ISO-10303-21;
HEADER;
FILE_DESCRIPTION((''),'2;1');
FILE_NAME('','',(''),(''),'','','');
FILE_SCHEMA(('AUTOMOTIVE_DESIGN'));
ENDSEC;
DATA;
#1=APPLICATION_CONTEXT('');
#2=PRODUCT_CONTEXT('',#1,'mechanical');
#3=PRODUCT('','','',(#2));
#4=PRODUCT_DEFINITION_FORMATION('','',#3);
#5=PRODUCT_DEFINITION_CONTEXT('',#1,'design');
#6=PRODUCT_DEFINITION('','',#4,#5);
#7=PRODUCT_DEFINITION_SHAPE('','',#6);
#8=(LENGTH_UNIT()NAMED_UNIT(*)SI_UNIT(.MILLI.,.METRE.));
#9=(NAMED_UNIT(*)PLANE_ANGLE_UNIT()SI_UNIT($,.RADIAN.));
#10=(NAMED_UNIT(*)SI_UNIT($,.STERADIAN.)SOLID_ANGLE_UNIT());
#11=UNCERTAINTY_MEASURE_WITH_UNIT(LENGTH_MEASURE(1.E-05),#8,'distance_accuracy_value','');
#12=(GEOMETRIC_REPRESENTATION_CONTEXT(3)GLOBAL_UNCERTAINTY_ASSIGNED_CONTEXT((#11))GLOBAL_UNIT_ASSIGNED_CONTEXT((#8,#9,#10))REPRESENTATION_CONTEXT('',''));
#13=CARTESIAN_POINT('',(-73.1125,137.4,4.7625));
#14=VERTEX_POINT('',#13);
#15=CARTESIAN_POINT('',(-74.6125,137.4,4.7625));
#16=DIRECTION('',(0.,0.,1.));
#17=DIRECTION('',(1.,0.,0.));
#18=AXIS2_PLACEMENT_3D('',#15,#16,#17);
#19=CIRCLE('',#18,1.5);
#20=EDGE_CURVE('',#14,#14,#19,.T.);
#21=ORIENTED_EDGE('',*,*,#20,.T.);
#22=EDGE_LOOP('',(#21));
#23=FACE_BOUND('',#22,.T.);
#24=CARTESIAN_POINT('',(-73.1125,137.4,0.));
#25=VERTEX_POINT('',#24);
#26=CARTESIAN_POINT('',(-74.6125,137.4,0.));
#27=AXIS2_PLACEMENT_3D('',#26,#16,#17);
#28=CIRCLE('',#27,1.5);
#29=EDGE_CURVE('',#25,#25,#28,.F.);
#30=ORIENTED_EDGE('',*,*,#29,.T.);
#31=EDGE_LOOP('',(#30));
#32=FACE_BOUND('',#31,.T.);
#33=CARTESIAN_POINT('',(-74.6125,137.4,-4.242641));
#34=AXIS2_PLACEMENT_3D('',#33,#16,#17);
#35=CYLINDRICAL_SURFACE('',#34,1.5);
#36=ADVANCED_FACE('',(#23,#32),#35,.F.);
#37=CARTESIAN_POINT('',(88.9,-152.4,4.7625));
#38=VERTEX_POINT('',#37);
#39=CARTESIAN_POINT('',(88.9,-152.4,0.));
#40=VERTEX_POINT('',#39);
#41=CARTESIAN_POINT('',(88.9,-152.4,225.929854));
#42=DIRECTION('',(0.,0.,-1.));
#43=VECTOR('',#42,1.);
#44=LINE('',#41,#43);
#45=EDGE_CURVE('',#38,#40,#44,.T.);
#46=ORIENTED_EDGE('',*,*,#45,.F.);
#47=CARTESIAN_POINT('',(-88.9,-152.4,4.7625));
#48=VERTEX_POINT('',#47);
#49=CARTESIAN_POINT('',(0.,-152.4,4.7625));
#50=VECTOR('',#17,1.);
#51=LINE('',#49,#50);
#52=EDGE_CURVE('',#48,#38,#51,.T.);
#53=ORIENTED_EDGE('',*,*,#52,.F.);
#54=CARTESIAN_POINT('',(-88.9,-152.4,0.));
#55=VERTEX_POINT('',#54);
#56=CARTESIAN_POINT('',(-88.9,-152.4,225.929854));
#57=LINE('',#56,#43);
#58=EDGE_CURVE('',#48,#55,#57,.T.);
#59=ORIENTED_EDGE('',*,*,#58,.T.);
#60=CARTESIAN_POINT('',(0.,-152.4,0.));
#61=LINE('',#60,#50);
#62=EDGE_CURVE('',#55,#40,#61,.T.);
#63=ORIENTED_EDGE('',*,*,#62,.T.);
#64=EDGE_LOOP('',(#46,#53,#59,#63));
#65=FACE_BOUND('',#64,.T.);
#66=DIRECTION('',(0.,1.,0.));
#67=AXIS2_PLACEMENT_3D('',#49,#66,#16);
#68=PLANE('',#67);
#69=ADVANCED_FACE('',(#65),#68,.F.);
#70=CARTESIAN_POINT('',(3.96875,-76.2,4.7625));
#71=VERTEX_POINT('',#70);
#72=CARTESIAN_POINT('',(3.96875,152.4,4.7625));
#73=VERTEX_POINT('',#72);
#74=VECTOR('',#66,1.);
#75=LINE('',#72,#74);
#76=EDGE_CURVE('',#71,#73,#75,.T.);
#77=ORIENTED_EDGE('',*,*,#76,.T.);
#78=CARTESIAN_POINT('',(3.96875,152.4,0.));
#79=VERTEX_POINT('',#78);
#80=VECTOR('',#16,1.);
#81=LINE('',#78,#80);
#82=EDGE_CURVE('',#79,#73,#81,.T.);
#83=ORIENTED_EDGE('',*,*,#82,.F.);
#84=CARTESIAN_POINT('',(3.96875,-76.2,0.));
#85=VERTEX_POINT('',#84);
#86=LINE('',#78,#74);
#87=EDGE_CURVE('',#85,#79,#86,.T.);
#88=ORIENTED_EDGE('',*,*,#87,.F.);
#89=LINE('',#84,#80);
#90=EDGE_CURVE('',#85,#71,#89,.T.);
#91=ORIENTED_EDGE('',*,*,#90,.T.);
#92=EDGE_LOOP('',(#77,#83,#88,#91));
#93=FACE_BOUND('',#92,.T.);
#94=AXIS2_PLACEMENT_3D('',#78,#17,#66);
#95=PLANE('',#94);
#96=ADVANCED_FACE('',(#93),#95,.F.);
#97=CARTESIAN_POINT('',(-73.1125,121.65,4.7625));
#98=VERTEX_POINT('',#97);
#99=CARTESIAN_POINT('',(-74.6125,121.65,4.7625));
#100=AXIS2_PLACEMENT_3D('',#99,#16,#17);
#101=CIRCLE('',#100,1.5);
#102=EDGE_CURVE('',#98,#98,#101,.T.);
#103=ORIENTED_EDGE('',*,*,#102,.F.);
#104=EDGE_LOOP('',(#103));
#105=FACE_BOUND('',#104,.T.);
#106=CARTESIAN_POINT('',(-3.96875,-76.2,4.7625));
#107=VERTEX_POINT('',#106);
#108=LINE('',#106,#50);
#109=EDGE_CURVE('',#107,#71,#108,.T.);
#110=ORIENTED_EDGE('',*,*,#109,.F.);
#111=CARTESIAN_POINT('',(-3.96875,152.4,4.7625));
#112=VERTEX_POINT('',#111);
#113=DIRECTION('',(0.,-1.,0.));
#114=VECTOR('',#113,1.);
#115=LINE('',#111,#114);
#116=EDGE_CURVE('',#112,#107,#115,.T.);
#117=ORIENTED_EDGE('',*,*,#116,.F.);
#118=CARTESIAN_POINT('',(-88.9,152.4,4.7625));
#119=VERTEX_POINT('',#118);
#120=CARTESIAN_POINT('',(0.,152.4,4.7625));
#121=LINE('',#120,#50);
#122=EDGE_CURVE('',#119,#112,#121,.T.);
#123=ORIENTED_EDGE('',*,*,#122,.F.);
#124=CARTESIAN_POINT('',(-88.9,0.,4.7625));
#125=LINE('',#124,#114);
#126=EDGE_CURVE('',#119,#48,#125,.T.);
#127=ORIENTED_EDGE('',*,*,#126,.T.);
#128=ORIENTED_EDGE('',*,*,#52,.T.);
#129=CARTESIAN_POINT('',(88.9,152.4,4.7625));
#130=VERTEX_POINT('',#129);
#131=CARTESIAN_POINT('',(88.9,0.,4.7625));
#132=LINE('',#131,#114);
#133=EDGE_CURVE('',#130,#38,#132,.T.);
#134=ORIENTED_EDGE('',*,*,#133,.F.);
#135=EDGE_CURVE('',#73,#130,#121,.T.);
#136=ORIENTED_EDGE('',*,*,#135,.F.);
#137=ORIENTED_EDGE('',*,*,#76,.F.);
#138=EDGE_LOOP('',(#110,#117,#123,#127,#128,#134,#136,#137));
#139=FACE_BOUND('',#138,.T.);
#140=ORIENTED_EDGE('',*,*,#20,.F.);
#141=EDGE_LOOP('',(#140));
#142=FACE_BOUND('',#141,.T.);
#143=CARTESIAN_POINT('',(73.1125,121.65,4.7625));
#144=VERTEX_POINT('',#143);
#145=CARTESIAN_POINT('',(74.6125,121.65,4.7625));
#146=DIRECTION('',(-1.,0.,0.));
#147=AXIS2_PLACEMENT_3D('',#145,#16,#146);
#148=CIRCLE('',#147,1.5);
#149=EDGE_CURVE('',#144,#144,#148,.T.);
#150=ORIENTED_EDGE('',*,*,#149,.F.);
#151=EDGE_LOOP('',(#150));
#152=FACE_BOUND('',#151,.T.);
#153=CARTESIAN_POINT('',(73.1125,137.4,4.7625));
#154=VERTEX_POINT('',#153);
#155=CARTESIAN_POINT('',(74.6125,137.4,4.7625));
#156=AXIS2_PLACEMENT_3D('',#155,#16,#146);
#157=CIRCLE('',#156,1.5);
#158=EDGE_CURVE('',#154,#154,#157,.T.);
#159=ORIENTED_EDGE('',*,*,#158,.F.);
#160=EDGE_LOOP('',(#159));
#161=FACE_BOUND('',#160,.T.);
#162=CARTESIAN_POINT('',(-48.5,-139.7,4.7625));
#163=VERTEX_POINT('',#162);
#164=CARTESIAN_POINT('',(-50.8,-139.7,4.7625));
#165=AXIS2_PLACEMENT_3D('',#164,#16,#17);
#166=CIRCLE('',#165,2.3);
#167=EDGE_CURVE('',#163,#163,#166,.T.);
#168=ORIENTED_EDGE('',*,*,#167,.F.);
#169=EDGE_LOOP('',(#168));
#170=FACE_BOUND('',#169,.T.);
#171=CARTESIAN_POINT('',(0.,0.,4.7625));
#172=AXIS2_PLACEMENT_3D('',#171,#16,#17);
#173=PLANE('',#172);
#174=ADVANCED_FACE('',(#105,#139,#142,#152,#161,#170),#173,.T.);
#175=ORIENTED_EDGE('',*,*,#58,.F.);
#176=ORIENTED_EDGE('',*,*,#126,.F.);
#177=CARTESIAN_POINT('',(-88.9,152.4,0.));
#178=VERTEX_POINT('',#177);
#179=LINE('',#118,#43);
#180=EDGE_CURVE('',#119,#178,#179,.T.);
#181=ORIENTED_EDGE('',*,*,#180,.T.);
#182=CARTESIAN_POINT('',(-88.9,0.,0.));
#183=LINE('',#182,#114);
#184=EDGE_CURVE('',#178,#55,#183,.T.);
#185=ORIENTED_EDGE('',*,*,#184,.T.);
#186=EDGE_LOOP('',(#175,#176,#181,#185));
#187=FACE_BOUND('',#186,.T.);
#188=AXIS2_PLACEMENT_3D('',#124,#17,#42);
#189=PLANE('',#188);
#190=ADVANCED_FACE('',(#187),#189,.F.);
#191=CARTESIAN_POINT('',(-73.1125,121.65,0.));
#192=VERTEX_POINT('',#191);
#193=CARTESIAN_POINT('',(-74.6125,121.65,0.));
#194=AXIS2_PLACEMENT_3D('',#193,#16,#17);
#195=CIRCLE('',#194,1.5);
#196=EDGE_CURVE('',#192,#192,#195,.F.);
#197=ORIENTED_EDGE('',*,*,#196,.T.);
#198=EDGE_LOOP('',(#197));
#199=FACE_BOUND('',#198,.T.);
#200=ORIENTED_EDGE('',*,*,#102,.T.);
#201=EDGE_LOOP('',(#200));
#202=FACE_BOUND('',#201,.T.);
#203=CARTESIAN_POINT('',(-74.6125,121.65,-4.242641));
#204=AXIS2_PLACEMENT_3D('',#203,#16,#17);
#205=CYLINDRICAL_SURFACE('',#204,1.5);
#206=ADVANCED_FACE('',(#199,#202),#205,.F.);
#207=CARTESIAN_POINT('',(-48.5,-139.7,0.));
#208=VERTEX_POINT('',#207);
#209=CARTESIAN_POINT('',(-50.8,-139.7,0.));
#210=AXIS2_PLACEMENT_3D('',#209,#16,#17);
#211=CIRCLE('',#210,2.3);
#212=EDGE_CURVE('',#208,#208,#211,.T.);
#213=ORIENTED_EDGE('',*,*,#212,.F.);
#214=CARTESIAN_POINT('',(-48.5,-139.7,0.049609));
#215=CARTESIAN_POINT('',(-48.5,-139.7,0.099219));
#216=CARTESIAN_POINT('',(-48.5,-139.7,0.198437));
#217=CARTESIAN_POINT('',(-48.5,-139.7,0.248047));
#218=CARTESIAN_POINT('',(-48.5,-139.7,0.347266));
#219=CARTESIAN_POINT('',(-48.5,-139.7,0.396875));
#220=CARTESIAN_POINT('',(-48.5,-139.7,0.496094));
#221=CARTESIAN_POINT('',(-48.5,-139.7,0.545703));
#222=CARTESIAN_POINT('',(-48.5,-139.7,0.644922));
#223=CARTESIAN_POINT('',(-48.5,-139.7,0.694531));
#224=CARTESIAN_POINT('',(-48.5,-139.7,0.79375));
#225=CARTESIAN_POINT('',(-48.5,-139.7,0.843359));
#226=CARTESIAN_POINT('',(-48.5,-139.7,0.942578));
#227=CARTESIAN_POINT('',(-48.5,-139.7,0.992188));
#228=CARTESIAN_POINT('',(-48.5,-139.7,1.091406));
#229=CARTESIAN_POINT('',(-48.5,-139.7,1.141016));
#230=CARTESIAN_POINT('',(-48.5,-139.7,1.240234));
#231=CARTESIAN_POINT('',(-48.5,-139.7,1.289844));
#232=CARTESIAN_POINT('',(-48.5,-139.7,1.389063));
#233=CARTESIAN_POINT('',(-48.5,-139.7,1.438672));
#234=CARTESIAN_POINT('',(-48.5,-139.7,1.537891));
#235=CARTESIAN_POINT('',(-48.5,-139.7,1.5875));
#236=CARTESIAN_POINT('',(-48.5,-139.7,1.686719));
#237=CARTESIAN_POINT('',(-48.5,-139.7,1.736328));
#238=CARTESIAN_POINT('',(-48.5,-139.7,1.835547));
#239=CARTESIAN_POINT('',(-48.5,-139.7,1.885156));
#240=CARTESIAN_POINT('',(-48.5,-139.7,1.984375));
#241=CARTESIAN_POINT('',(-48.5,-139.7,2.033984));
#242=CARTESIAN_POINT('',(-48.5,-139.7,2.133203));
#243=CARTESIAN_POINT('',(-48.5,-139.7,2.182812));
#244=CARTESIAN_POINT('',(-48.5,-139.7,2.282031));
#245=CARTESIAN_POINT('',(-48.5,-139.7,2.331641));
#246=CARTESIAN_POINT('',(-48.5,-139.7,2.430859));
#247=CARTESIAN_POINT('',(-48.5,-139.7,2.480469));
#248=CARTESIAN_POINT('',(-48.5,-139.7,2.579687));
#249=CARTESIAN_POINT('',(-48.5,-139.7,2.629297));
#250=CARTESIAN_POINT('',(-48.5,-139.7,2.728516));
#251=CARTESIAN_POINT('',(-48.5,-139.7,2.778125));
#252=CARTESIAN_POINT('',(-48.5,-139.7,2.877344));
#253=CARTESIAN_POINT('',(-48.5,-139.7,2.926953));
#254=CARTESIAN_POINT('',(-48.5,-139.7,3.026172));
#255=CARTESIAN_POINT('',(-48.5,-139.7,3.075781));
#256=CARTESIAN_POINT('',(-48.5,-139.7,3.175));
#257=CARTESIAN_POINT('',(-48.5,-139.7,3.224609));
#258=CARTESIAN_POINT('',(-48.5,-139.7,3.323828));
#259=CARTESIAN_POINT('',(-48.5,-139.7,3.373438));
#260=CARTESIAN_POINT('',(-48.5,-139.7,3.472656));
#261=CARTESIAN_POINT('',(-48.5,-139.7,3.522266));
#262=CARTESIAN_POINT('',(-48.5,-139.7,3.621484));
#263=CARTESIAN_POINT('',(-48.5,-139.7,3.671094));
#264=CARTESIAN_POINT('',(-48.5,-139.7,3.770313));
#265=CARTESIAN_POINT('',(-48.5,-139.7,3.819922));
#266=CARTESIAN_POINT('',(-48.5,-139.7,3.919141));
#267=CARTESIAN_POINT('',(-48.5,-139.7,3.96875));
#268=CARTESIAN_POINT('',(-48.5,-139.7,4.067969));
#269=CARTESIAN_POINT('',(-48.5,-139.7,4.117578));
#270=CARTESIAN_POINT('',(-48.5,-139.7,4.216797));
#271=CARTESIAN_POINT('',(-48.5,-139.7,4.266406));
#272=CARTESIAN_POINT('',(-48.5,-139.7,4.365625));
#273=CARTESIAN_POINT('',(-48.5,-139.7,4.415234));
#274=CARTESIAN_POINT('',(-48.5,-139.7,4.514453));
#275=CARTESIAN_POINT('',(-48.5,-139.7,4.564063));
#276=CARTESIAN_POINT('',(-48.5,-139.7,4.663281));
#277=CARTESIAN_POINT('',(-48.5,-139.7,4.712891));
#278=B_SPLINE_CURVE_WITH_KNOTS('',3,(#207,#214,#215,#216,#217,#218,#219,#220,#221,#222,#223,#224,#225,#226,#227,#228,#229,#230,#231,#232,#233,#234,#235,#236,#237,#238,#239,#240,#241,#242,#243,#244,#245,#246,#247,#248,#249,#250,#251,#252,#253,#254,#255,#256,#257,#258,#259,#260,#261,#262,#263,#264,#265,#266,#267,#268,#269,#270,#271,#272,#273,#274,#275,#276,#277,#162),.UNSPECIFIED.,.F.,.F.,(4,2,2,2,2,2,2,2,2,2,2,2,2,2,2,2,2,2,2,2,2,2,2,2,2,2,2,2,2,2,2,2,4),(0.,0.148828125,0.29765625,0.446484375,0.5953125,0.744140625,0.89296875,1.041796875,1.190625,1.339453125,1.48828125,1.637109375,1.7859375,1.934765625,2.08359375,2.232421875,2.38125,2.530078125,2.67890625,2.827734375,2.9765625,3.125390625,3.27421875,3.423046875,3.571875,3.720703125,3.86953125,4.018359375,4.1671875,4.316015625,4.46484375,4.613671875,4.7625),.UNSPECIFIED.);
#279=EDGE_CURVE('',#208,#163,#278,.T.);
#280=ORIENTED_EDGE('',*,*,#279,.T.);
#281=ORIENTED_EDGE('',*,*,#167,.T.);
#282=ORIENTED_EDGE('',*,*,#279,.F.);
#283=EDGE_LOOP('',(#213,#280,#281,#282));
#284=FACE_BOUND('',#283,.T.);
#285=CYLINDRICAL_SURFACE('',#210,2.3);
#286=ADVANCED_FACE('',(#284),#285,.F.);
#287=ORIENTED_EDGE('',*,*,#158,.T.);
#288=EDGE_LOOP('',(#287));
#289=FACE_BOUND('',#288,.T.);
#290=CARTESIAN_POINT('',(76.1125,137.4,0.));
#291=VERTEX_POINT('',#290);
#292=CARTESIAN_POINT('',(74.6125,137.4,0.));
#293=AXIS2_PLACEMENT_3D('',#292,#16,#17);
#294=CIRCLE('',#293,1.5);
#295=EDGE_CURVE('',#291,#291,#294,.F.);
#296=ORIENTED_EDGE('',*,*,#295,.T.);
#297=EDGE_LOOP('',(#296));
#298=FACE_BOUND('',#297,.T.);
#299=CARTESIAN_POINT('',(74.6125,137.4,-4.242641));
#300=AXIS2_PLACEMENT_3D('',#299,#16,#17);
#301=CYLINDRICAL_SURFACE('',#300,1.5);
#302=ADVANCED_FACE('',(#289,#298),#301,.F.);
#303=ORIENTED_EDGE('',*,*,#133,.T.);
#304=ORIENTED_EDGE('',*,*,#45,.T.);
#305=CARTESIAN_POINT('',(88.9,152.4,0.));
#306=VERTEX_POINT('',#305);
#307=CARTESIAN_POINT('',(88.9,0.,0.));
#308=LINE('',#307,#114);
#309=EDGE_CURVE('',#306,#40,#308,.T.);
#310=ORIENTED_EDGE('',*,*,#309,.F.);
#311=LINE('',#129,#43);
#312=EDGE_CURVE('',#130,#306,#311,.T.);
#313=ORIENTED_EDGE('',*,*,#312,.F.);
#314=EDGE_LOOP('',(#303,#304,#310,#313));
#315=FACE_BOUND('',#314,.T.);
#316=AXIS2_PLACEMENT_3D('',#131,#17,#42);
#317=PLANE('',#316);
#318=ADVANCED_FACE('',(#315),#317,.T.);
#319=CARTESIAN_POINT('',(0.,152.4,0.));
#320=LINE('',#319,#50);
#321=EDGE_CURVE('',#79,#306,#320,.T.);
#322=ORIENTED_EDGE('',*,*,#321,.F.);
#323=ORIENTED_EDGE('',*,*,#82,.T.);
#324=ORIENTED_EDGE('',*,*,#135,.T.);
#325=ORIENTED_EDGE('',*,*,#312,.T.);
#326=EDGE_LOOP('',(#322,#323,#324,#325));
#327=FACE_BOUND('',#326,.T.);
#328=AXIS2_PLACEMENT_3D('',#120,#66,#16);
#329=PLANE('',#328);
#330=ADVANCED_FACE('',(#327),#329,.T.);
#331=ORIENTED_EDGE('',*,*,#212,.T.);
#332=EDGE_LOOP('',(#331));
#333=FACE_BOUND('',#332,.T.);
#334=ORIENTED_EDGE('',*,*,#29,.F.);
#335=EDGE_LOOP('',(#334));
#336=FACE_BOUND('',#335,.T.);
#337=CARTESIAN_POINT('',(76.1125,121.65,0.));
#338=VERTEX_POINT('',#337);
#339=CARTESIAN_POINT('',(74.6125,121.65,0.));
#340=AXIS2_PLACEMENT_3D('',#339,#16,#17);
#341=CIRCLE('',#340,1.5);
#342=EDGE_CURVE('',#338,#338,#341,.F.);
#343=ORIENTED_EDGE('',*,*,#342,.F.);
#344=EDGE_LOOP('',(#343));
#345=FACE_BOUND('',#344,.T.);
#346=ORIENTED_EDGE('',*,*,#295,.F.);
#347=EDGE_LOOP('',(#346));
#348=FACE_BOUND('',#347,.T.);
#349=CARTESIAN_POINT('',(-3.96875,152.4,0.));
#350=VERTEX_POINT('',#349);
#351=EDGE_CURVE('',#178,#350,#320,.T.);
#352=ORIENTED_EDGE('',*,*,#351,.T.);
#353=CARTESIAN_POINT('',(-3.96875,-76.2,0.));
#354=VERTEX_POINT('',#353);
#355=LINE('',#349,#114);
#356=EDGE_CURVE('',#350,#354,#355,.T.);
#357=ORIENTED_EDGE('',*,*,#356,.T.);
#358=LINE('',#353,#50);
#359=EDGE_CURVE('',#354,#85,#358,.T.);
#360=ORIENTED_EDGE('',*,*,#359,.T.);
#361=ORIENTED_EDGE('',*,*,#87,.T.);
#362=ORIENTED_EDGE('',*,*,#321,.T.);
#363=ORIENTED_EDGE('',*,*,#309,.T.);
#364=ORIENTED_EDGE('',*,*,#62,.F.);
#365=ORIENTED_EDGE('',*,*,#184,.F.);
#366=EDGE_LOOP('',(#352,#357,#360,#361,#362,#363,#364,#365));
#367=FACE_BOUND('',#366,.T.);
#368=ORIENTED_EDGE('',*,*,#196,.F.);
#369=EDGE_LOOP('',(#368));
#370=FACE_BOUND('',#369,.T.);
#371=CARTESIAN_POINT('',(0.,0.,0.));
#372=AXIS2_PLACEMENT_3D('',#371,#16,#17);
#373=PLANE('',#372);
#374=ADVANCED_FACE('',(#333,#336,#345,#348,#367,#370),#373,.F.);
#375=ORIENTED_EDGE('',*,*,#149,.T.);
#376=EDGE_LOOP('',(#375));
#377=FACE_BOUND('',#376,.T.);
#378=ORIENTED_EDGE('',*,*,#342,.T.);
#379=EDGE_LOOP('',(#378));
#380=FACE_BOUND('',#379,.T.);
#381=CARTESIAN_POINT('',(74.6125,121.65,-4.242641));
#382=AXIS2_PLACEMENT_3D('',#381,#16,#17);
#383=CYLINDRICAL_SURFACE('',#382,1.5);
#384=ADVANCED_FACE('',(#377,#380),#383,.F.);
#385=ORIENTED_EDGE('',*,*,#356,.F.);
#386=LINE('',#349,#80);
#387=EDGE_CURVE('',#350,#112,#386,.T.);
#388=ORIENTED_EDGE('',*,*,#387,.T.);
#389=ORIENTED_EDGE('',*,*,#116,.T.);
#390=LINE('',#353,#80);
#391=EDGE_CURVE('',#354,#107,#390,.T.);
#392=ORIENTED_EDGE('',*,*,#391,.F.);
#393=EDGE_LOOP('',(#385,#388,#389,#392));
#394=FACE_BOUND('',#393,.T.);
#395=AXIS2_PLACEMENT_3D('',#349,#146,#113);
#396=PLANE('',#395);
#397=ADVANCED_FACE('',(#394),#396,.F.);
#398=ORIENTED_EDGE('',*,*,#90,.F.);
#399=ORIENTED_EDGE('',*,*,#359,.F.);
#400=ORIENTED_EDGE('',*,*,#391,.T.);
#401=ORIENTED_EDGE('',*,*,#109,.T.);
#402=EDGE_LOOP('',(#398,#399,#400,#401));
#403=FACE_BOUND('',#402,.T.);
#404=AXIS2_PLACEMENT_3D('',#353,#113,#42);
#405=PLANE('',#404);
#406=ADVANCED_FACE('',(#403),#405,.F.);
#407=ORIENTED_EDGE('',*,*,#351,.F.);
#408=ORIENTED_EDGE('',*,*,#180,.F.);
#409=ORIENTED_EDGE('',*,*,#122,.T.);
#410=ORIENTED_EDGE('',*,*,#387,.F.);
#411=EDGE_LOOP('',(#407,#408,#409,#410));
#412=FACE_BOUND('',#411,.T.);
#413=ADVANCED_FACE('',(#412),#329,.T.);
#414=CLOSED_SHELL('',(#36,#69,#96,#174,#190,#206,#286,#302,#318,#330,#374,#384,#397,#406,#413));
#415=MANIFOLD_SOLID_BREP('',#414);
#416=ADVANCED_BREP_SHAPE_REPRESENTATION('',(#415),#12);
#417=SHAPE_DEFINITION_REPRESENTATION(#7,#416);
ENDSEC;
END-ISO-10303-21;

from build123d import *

# Parameters (mm, degrees)
SKETCH2_W           = 4.7625
SKETCH2_H           = 44.223214285
SKETCH2_H_2         = 44.223214286
SKETCH2_W_2         = 21.998214286
SKETCH2_H_3         = 4.7625
SKETCH2_W_3         = 26.760714286
BOSS_EXTRUDE1_DEPTH = 4.7625
SKETCH3_W           = 7.9375
SKETCH3_H           = 228.6
CUT_EXTRUDE1_DEPTH  = 184.017476539
SKETCH4_R           = 2.3
CUT_EXTRUDE2_DEPTH  = 184.017476539
SKETCH5_R           = 1.5
CUT_EXTRUDE3_DEPTH  = 4.7625
SKETCH6_W           = 4.7625
SKETCH6_H           = 44.223214286
BOSS_EXTRUDE2_DEPTH = 4.7625
SKETCH7_W           = 26.760714286
SKETCH7_H           = 4.7625
CUT_EXTRUDE4_DEPTH  = 4.7625
SKETCH9_W           = 4.7625
SKETCH9_H           = 221.116071428
SKETCH9_W_2         = 21.998214286
SKETCH9_H_2         = 4.7625
CUT_EXTRUDE5_DEPTH  = 4.7625


with BuildPart() as part:
    # Sketch2 → Boss-Extrude1 (new body)
    with BuildSketch(Plane.XY):
        Polygon((0, -152.4), (0, 152.4), (-88.9, 152.4), (-88.9, 108.176785714), (-88.9, 63.953571429), (-88.9, 19.730357143), (-88.9, -24.492857143), (-88.9, -68.716071429), (-88.9, -112.939285714), (-88.9, -152.4), (-66.901785714, -152.4), (-40.141071429, -152.4), (-13.380357143, -152.4), align=None)
        Polygon((88.9, 152.4), (0, 152.4), (0, -152.4), (13.380357143, -152.4), (40.141071429, -152.4), (66.901785714, -152.4), (88.9, -152.4), (88.9, -112.939285714), (88.9, -68.716071429), (88.9, -24.492857143), (88.9, 19.730357143), (88.9, 63.953571429), (88.9, 108.176785714), align=None)
        with Locations((-91.28125, 86.065178572)):
            Rectangle(SKETCH2_W, SKETCH2_H)
        with Locations((-91.28125, -2.38125)):
            Rectangle(SKETCH2_W, SKETCH2_H_2)
        with Locations((-91.28125, -90.827678572)):
            Rectangle(SKETCH2_W, SKETCH2_H)
        with Locations((-77.900892857, -154.78125)):
            Rectangle(SKETCH2_W_2, SKETCH2_H_3)
        with Locations((-26.760714286, -154.78125)):
            Rectangle(SKETCH2_W_3, SKETCH2_H_3)
        with Locations((26.760714286, -154.78125)):
            Rectangle(SKETCH2_W_3, SKETCH2_H_3)
        with Locations((91.28125, -90.827678572)):
            Rectangle(SKETCH2_W, SKETCH2_H)
        with Locations((91.28125, -2.38125)):
            Rectangle(SKETCH2_W, SKETCH2_H_2)
        with Locations((91.28125, 86.065178572)):
            Rectangle(SKETCH2_W, SKETCH2_H)
        with Locations((77.900892857, -154.78125)):
            Rectangle(SKETCH2_W_2, SKETCH2_H_3)
    extrude(amount=BOSS_EXTRUDE1_DEPTH)

    # Sketch3 → Cut-Extrude1 (cut, through all)
    with BuildSketch(Plane.XY.offset(4.7625)):
        with Locations((0, 38.1)):
            Rectangle(SKETCH3_W, SKETCH3_H)
    extrude(amount=-CUT_EXTRUDE1_DEPTH, mode=Mode.SUBTRACT)

    # Sketch4 → Cut-Extrude2 (cut, through all)
    with BuildSketch(Plane.XY.offset(4.7625)):
        with Locations((-50.8, -139.7)):
            Circle(SKETCH4_R)
    extrude(amount=-CUT_EXTRUDE2_DEPTH, mode=Mode.SUBTRACT)

    # Sketch5 → Cut-Extrude3 (cut)
    with BuildSketch(Plane.XY.offset(4.7625)):
        with Locations((-74.6125, 137.4)):
            Circle(SKETCH5_R)
        with Locations((-74.6125, 121.65)):
            Circle(SKETCH5_R)
        with Locations((74.6125, 121.65)):
            Circle(SKETCH5_R)
        with Locations((74.6125, 137.4)):
            Circle(SKETCH5_R)
    extrude(amount=-CUT_EXTRUDE3_DEPTH, mode=Mode.SUBTRACT)

    # Sketch6 → Boss-Extrude2 (add)
    with BuildSketch(Plane.XY.offset(4.7625)):
        with Locations((-91.28125, 41.841964286)):
            Rectangle(SKETCH6_W, SKETCH6_H)
        with Locations((-91.28125, -46.604464286)):
            Rectangle(SKETCH6_W, SKETCH6_H)
        with Locations((91.28125, 41.841964286)):
            Rectangle(SKETCH6_W, SKETCH6_H)
        with Locations((91.28125, -46.604464286)):
            Rectangle(SKETCH6_W, SKETCH6_H)
    extrude(amount=-BOSS_EXTRUDE2_DEPTH)

    # Sketch7 → Cut-Extrude4 (cut)
    with BuildSketch(Plane.XY.offset(4.7625)):
        with Locations((-26.760714286, -154.78125)):
            Rectangle(SKETCH7_W, SKETCH7_H)
        with Locations((26.760714286, -154.78125)):
            Rectangle(SKETCH7_W, SKETCH7_H)
    extrude(amount=-CUT_EXTRUDE4_DEPTH, mode=Mode.SUBTRACT)

    # Sketch9 → Cut-Extrude5 (cut)
    with BuildSketch(Plane(origin=(0, 0, 0), x_dir=(-1, 0, 0), z_dir=(0, 0, -1))):
        with Locations((-91.28125, -2.38125)):
            Rectangle(SKETCH9_W, SKETCH9_H)
        with Locations((91.28125, -2.38125)):
            Rectangle(SKETCH9_W, SKETCH9_H)
        with Locations((-77.900892857, -154.78125)):
            Rectangle(SKETCH9_W_2, SKETCH9_H_2)
        with Locations((77.900892857, -154.78125)):
            Rectangle(SKETCH9_W_2, SKETCH9_H_2)
    extrude(amount=-CUT_EXTRUDE5_DEPTH, mode=Mode.SUBTRACT)


solid = part.part
